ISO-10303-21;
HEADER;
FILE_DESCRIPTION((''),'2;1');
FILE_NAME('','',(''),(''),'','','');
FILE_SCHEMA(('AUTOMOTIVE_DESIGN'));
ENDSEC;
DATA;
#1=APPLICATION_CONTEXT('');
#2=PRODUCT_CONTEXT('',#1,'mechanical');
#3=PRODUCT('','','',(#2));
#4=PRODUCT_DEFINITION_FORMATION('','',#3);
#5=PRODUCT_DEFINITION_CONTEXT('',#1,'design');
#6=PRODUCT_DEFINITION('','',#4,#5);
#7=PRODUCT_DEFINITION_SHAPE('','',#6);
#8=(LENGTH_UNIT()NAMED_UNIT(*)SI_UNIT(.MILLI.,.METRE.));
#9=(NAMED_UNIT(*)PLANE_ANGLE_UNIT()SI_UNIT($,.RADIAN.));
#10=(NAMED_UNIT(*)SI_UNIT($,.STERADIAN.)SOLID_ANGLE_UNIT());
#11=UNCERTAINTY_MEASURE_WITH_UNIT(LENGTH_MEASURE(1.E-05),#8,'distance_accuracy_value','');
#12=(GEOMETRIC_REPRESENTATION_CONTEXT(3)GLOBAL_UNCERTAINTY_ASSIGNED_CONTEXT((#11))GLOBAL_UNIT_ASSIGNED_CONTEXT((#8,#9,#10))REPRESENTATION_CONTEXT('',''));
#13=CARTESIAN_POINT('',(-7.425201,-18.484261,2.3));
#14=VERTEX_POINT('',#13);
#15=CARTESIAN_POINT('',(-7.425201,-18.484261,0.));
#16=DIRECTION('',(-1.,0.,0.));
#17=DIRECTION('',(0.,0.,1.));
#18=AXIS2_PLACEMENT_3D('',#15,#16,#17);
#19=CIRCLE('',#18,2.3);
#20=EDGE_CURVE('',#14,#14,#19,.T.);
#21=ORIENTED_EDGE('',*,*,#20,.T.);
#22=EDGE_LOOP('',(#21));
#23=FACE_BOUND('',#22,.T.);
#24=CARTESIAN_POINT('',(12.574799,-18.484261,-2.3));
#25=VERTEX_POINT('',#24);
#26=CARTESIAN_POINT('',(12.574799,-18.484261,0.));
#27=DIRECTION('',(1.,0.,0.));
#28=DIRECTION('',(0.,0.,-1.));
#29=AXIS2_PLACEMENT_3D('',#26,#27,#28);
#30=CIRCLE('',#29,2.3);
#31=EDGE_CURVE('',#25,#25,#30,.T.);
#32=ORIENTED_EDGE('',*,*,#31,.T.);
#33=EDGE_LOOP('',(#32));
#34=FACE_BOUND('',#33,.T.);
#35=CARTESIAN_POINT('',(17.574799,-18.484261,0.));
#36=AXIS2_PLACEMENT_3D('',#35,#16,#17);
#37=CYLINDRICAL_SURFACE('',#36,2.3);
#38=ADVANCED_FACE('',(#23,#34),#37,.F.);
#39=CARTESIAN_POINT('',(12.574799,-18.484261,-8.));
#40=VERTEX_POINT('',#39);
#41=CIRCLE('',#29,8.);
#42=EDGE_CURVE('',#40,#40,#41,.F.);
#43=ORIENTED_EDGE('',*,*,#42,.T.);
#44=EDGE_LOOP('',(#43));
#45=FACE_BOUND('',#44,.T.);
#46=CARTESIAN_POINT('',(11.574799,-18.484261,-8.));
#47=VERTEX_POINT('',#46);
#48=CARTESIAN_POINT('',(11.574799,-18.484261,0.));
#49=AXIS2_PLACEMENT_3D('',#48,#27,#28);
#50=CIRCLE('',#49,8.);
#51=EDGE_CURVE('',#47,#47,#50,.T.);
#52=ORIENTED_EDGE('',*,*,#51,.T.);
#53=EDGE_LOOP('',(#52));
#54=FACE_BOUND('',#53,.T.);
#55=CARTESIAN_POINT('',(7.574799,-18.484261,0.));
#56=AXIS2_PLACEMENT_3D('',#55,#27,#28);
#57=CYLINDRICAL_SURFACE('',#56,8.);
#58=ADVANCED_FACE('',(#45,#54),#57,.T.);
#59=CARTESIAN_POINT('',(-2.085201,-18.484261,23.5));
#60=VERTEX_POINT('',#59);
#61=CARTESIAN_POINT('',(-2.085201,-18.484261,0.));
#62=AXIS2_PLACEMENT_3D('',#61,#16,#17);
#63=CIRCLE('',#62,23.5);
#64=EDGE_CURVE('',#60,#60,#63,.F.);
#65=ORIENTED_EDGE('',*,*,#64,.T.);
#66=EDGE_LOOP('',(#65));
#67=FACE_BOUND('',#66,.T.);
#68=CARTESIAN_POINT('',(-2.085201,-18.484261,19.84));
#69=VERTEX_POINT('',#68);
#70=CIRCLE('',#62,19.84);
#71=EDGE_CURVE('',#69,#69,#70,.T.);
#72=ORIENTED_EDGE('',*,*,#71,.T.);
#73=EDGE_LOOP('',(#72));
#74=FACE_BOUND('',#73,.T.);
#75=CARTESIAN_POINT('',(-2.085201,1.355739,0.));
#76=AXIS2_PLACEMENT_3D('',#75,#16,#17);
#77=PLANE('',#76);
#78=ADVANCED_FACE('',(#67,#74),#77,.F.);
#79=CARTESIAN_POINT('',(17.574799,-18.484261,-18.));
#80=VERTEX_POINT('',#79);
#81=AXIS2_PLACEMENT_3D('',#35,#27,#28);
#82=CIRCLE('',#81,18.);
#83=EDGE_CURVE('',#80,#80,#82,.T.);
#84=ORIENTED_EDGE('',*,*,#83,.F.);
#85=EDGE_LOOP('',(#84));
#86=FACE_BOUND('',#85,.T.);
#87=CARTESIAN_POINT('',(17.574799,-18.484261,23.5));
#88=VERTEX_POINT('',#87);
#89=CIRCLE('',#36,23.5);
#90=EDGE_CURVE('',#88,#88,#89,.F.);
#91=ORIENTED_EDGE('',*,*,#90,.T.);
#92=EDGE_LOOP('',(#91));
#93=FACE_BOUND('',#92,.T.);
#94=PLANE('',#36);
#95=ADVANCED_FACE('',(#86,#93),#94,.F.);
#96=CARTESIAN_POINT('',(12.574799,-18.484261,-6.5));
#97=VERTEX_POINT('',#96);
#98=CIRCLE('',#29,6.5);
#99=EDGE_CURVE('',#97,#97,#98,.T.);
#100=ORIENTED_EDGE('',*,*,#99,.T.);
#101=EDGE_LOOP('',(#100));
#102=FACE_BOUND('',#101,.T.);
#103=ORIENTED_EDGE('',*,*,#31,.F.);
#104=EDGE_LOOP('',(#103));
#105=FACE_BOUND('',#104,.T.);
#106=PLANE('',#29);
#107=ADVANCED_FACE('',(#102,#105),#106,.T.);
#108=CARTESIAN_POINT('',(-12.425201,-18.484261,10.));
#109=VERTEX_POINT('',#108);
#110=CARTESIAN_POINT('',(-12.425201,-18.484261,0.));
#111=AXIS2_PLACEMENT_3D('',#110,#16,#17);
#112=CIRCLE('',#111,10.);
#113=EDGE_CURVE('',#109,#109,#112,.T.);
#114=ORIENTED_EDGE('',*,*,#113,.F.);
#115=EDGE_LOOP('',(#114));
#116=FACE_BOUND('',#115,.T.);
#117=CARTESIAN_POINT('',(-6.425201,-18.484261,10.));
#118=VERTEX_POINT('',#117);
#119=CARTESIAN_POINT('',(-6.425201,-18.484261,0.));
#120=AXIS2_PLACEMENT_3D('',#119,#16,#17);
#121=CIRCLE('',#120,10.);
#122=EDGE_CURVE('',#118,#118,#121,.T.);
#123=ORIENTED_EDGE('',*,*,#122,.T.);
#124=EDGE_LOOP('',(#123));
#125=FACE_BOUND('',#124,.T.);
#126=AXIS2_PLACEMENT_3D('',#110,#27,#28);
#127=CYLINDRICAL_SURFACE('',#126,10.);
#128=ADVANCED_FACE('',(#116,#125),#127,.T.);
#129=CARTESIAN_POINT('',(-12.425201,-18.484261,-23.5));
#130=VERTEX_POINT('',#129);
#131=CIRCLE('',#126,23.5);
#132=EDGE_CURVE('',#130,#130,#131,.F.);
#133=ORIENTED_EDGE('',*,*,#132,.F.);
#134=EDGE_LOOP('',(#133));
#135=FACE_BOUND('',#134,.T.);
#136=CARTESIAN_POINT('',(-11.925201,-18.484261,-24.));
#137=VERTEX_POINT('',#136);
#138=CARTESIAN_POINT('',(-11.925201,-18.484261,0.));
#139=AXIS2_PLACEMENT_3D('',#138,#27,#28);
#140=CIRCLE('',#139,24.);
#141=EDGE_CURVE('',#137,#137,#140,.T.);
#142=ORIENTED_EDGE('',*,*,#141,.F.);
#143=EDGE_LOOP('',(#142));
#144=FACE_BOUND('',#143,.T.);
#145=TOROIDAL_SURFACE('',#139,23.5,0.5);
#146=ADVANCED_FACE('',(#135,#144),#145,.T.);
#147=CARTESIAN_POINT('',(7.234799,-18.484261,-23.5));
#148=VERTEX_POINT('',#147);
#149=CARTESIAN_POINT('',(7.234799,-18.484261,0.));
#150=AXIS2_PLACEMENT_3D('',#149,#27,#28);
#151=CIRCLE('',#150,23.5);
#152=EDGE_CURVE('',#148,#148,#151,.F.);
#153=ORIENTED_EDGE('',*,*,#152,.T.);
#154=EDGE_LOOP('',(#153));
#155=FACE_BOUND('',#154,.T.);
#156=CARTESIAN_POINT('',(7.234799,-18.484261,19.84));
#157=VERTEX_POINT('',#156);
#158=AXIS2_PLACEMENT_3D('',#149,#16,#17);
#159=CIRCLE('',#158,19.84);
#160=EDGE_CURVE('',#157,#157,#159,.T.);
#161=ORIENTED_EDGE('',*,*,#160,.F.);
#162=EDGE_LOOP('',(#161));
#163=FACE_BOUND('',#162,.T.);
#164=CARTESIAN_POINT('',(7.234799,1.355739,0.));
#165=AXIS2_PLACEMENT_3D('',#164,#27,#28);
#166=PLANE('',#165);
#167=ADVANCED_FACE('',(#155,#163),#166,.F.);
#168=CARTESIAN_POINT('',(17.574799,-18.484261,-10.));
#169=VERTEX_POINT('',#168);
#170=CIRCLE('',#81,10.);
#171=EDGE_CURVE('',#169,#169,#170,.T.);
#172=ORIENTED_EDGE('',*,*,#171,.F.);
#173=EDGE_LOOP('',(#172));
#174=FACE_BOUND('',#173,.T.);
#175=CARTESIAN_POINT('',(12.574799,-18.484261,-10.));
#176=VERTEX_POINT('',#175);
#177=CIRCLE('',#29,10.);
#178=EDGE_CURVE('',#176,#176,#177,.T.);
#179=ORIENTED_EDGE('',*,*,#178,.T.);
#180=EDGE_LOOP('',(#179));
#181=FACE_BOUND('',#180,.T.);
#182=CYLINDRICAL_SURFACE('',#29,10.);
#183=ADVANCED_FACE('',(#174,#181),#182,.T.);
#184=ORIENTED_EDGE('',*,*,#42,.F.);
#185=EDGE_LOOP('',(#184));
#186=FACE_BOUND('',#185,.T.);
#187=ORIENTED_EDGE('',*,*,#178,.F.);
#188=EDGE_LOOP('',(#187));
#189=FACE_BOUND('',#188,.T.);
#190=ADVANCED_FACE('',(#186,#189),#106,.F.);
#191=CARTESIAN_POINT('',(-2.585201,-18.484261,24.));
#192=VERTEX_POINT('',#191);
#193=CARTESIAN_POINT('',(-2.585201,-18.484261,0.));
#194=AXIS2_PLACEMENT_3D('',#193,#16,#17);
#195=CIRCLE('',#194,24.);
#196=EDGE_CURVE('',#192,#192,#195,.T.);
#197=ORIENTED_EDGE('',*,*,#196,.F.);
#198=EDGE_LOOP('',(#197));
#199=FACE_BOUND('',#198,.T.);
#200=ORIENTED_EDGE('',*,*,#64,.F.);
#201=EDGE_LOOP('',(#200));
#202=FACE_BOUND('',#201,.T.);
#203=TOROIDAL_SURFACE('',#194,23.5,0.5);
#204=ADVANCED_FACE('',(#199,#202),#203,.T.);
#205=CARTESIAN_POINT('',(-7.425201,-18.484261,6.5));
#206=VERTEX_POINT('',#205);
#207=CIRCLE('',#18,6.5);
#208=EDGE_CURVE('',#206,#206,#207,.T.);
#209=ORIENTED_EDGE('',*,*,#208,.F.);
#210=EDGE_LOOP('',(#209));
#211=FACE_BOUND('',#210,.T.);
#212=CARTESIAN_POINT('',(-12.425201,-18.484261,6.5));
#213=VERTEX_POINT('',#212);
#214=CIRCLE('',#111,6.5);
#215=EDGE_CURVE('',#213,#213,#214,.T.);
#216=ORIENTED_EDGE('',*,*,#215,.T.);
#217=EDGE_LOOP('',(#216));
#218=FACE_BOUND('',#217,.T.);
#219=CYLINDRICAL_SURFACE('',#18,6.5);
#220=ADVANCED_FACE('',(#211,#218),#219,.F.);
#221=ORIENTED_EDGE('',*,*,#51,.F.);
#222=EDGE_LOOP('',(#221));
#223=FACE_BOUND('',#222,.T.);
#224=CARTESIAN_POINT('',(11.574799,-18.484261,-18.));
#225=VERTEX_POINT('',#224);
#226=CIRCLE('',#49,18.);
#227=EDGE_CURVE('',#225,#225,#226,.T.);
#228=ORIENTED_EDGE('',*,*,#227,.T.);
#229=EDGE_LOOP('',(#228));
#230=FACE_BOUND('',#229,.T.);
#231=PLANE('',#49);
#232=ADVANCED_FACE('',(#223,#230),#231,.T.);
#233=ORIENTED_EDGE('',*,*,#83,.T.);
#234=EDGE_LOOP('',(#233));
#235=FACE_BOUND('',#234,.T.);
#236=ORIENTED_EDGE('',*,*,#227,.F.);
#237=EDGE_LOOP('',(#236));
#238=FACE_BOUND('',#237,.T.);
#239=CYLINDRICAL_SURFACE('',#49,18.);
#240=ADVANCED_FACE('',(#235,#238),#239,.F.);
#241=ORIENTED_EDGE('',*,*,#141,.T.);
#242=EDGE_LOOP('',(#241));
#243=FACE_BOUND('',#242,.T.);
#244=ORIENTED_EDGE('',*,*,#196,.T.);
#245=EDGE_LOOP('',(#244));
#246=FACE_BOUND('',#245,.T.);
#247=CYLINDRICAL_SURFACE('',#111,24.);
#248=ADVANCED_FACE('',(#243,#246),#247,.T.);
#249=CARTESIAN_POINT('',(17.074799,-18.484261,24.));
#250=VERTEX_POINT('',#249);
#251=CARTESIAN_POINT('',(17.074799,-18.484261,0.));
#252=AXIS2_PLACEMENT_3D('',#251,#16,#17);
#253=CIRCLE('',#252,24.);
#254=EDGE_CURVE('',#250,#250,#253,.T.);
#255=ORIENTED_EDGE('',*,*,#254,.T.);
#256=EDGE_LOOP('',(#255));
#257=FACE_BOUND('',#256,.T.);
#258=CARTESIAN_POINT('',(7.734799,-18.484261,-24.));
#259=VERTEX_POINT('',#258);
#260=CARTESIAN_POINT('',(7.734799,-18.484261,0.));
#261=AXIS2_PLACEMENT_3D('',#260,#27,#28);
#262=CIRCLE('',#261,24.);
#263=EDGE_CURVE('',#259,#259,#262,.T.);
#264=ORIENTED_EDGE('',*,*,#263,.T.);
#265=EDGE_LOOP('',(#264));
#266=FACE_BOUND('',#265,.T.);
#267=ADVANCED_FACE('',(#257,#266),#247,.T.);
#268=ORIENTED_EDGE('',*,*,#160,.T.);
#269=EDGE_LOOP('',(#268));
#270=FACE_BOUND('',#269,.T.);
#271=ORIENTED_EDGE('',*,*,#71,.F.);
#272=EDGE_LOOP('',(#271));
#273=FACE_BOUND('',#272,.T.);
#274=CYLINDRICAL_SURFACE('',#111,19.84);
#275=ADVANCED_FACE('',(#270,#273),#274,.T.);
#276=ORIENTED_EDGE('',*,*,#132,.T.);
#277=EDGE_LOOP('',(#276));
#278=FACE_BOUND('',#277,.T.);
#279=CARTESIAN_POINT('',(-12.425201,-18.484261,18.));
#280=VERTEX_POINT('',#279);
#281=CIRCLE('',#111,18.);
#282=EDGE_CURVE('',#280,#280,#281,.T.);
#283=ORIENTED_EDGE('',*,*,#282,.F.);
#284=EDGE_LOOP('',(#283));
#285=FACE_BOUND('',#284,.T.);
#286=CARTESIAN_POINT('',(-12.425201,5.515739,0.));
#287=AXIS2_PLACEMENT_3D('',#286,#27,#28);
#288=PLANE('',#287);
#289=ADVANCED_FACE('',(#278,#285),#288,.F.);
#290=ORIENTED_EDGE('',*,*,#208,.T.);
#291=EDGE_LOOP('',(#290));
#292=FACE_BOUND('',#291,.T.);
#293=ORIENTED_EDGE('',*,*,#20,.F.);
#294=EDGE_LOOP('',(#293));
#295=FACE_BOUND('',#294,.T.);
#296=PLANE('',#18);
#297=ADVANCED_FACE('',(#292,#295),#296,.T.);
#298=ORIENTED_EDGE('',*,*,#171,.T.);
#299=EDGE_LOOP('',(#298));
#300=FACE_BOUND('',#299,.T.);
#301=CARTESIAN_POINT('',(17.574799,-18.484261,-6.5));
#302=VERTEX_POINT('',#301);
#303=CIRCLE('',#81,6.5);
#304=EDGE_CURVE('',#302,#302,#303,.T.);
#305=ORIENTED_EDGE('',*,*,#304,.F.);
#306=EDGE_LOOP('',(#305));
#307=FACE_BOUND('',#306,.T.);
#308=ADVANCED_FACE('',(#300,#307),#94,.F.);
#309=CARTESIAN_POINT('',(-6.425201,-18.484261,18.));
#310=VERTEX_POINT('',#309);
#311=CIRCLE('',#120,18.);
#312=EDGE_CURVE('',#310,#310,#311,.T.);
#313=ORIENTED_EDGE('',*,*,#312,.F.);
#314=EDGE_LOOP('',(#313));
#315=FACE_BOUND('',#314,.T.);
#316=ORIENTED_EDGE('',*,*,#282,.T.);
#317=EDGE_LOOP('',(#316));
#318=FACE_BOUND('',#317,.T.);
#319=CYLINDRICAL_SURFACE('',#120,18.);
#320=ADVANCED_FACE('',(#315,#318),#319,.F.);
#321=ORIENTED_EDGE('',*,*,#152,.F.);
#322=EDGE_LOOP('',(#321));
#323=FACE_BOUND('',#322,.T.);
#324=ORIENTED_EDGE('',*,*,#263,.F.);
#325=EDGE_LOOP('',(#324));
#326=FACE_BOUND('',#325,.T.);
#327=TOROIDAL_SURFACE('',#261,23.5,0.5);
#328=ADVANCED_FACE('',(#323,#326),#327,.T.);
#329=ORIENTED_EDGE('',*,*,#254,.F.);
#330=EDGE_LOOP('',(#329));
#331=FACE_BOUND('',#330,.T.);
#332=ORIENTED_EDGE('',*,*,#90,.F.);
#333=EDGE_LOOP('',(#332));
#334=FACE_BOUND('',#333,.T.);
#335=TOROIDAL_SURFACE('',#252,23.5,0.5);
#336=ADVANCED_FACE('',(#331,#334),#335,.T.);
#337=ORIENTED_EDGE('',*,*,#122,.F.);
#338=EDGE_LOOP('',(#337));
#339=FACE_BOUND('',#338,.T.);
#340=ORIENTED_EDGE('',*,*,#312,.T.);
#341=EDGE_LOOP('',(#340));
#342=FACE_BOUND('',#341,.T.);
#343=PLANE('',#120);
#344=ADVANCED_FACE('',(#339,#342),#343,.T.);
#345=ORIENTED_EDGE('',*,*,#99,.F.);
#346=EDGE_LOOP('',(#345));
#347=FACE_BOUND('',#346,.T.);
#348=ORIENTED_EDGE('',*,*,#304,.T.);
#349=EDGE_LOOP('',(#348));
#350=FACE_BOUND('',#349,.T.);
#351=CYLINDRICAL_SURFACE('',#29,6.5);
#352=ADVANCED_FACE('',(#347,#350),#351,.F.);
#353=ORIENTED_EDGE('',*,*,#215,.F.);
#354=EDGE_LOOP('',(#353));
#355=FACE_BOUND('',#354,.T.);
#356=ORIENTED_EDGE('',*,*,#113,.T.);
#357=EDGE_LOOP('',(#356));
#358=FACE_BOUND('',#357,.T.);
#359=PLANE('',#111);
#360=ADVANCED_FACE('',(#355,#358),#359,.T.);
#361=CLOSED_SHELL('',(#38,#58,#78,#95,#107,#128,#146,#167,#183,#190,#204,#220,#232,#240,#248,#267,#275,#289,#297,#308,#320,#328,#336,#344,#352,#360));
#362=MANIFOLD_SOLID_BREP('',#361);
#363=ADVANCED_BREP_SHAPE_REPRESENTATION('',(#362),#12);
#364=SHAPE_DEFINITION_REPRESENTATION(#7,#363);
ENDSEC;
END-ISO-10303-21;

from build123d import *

# Parameters (mm, degrees)
SKETCH3_R           = 2
CUT_EXTRUDE1_DEPTH  = 58.27924924
FILLET2_R           = 0.5
SKETCH4_R           = 18
SKETCH4_R_2         = 6
CUT_EXTRUDE2_DEPTH  = 6
CUT_EXTRUDE3_START  = -6
SKETCH5_R           = 18
CUT_EXTRUDE3_DEPTH  = 6
SKETCH6_R           = 10
BOSS_EXTRUDE1_DEPTH = 6
SKETCH8_R           = 8
BOSS_EXTRUDE2_DEPTH = 10
SKETCH10_R          = 6.5
CUT_EXTRUDE5_DEPTH  = 5
SKETCH11_R          = 10
BOSS_EXTRUDE3_DEPTH = 5
CUT_EXTRUDE6_START  = -5
SKETCH12_R          = 6.5
CUT_EXTRUDE6_DEPTH  = 5
SKETCH7_R           = 2.3
CUT_EXTRUDE8_DEPTH  = 58.279249356


with BuildPart() as part:
    # Sketch2 → Revolve1 (revolve)
    with BuildSketch(Plane.XY, mode=Mode.PRIVATE) as revolve1_sk:
        Polygon((-2.085200875, 1.355739462), (7.234799125, 1.355739462), (7.234799125, 5.515739462), (17.574799125, 5.515739462), (17.574799125, -18.484260538), (-12.425200875, -18.484260538), (-12.425200875, 5.515739462), (-2.085200875, 5.515739462), align=None)
    revolve(revolve1_sk.sketch.rotate(Axis((-12.425200875, -18.484260538, 0), (1, 0, 0)), 90), axis=Axis((-12.425200875, -18.484260538, 0), (1, 0, 0)))

    # Sketch3 → Cut-Extrude1 (cut, through all)
    with BuildSketch(Plane(origin=(17.574799125, 0, 0), x_dir=(0, 0, -1), z_dir=(1, 0, 0))):
        with Locations((0, -18.484260538)):
            Circle(SKETCH3_R)
    extrude(amount=-CUT_EXTRUDE1_DEPTH, mode=Mode.SUBTRACT)

    # Fillet2
    fillet2_edges = [part.edges().sort_by_distance(p)[0] for p in [
        (-2.085200875, -18.484260538, -24),
        (7.234799125, -18.484260538, -24),
        (17.574799125, -18.484260538, -24),
        (-12.425200875, -18.484260538, -24),
    ]]
    fillet(fillet2_edges, radius=FILLET2_R)

    # Sketch4 → Cut-Extrude2 (cut)
    with BuildSketch(Plane(origin=(17.574799125, 0, 0), x_dir=(0, 0, -1), z_dir=(1, 0, 0))):
        with Locations((0, -18.484260538)):
            Circle(SKETCH4_R)
        with Locations((0, -18.484260538)):
            Circle(SKETCH4_R_2, mode=Mode.SUBTRACT)
    extrude(amount=-CUT_EXTRUDE2_DEPTH, mode=Mode.SUBTRACT)

    # Sketch5 → Cut-Extrude3 (cut)
    with BuildSketch(Plane.ZY.offset(12.425200875).offset(CUT_EXTRUDE3_START)):
        with Locations(Location((0, -18.484260538, 0), (0, 0, 180))):
            Circle(SKETCH5_R)
    extrude(amount=CUT_EXTRUDE3_DEPTH, mode=Mode.SUBTRACT)

    # Sketch6 → Boss-Extrude1 (add, through all)
    with BuildSketch(Plane.ZY.offset(6.425200875)):
        with Locations((0, -18.484260538)):
            Circle(SKETCH6_R)
    extrude(amount=BOSS_EXTRUDE1_DEPTH)

    # Sketch8 → Boss-Extrude2 (add)
    with BuildSketch(Plane(origin=(17.574799125, 0, 0), x_dir=(0, 0, -1), z_dir=(1, 0, 0))):
        with Locations((0, -18.484260538)):
            Circle(SKETCH8_R)
    extrude(amount=-BOSS_EXTRUDE2_DEPTH)

    # Sketch10 → Cut-Extrude5 (cut)
    with BuildSketch(Plane.ZY.offset(12.425200875)):
        with Locations((0, -18.484260538)):
            Circle(SKETCH10_R)
    extrude(amount=-CUT_EXTRUDE5_DEPTH, mode=Mode.SUBTRACT)

    # Sketch11 → Boss-Extrude3 (add)
    with BuildSketch(Plane(origin=(17.574799125, 0, 0), x_dir=(0, 0, -1), z_dir=(1, 0, 0))):
        with Locations(Location((0, -18.484260538, 0), (0, 0, 180))):
            Circle(SKETCH11_R)
    extrude(amount=-BOSS_EXTRUDE3_DEPTH)

    # Sketch12 → Cut-Extrude6 (cut)
    with BuildSketch(Plane(origin=(17.574799125, 0, 0), x_dir=(0, 0, -1), z_dir=(1, 0, 0)).offset(CUT_EXTRUDE6_START)):
        with Locations(Location((0, -18.484260538, 0), (0, 0, 180))):
            Circle(SKETCH12_R)
    extrude(amount=CUT_EXTRUDE6_DEPTH, mode=Mode.SUBTRACT)

    # Sketch7 → Cut-Extrude8 (cut, through all)
    with BuildSketch(Plane.ZY.offset(12.425200875)):
        with Locations((0, -18.484260538)):
            Circle(SKETCH7_R)
    extrude(amount=-CUT_EXTRUDE8_DEPTH, mode=Mode.SUBTRACT)


solid = part.part
